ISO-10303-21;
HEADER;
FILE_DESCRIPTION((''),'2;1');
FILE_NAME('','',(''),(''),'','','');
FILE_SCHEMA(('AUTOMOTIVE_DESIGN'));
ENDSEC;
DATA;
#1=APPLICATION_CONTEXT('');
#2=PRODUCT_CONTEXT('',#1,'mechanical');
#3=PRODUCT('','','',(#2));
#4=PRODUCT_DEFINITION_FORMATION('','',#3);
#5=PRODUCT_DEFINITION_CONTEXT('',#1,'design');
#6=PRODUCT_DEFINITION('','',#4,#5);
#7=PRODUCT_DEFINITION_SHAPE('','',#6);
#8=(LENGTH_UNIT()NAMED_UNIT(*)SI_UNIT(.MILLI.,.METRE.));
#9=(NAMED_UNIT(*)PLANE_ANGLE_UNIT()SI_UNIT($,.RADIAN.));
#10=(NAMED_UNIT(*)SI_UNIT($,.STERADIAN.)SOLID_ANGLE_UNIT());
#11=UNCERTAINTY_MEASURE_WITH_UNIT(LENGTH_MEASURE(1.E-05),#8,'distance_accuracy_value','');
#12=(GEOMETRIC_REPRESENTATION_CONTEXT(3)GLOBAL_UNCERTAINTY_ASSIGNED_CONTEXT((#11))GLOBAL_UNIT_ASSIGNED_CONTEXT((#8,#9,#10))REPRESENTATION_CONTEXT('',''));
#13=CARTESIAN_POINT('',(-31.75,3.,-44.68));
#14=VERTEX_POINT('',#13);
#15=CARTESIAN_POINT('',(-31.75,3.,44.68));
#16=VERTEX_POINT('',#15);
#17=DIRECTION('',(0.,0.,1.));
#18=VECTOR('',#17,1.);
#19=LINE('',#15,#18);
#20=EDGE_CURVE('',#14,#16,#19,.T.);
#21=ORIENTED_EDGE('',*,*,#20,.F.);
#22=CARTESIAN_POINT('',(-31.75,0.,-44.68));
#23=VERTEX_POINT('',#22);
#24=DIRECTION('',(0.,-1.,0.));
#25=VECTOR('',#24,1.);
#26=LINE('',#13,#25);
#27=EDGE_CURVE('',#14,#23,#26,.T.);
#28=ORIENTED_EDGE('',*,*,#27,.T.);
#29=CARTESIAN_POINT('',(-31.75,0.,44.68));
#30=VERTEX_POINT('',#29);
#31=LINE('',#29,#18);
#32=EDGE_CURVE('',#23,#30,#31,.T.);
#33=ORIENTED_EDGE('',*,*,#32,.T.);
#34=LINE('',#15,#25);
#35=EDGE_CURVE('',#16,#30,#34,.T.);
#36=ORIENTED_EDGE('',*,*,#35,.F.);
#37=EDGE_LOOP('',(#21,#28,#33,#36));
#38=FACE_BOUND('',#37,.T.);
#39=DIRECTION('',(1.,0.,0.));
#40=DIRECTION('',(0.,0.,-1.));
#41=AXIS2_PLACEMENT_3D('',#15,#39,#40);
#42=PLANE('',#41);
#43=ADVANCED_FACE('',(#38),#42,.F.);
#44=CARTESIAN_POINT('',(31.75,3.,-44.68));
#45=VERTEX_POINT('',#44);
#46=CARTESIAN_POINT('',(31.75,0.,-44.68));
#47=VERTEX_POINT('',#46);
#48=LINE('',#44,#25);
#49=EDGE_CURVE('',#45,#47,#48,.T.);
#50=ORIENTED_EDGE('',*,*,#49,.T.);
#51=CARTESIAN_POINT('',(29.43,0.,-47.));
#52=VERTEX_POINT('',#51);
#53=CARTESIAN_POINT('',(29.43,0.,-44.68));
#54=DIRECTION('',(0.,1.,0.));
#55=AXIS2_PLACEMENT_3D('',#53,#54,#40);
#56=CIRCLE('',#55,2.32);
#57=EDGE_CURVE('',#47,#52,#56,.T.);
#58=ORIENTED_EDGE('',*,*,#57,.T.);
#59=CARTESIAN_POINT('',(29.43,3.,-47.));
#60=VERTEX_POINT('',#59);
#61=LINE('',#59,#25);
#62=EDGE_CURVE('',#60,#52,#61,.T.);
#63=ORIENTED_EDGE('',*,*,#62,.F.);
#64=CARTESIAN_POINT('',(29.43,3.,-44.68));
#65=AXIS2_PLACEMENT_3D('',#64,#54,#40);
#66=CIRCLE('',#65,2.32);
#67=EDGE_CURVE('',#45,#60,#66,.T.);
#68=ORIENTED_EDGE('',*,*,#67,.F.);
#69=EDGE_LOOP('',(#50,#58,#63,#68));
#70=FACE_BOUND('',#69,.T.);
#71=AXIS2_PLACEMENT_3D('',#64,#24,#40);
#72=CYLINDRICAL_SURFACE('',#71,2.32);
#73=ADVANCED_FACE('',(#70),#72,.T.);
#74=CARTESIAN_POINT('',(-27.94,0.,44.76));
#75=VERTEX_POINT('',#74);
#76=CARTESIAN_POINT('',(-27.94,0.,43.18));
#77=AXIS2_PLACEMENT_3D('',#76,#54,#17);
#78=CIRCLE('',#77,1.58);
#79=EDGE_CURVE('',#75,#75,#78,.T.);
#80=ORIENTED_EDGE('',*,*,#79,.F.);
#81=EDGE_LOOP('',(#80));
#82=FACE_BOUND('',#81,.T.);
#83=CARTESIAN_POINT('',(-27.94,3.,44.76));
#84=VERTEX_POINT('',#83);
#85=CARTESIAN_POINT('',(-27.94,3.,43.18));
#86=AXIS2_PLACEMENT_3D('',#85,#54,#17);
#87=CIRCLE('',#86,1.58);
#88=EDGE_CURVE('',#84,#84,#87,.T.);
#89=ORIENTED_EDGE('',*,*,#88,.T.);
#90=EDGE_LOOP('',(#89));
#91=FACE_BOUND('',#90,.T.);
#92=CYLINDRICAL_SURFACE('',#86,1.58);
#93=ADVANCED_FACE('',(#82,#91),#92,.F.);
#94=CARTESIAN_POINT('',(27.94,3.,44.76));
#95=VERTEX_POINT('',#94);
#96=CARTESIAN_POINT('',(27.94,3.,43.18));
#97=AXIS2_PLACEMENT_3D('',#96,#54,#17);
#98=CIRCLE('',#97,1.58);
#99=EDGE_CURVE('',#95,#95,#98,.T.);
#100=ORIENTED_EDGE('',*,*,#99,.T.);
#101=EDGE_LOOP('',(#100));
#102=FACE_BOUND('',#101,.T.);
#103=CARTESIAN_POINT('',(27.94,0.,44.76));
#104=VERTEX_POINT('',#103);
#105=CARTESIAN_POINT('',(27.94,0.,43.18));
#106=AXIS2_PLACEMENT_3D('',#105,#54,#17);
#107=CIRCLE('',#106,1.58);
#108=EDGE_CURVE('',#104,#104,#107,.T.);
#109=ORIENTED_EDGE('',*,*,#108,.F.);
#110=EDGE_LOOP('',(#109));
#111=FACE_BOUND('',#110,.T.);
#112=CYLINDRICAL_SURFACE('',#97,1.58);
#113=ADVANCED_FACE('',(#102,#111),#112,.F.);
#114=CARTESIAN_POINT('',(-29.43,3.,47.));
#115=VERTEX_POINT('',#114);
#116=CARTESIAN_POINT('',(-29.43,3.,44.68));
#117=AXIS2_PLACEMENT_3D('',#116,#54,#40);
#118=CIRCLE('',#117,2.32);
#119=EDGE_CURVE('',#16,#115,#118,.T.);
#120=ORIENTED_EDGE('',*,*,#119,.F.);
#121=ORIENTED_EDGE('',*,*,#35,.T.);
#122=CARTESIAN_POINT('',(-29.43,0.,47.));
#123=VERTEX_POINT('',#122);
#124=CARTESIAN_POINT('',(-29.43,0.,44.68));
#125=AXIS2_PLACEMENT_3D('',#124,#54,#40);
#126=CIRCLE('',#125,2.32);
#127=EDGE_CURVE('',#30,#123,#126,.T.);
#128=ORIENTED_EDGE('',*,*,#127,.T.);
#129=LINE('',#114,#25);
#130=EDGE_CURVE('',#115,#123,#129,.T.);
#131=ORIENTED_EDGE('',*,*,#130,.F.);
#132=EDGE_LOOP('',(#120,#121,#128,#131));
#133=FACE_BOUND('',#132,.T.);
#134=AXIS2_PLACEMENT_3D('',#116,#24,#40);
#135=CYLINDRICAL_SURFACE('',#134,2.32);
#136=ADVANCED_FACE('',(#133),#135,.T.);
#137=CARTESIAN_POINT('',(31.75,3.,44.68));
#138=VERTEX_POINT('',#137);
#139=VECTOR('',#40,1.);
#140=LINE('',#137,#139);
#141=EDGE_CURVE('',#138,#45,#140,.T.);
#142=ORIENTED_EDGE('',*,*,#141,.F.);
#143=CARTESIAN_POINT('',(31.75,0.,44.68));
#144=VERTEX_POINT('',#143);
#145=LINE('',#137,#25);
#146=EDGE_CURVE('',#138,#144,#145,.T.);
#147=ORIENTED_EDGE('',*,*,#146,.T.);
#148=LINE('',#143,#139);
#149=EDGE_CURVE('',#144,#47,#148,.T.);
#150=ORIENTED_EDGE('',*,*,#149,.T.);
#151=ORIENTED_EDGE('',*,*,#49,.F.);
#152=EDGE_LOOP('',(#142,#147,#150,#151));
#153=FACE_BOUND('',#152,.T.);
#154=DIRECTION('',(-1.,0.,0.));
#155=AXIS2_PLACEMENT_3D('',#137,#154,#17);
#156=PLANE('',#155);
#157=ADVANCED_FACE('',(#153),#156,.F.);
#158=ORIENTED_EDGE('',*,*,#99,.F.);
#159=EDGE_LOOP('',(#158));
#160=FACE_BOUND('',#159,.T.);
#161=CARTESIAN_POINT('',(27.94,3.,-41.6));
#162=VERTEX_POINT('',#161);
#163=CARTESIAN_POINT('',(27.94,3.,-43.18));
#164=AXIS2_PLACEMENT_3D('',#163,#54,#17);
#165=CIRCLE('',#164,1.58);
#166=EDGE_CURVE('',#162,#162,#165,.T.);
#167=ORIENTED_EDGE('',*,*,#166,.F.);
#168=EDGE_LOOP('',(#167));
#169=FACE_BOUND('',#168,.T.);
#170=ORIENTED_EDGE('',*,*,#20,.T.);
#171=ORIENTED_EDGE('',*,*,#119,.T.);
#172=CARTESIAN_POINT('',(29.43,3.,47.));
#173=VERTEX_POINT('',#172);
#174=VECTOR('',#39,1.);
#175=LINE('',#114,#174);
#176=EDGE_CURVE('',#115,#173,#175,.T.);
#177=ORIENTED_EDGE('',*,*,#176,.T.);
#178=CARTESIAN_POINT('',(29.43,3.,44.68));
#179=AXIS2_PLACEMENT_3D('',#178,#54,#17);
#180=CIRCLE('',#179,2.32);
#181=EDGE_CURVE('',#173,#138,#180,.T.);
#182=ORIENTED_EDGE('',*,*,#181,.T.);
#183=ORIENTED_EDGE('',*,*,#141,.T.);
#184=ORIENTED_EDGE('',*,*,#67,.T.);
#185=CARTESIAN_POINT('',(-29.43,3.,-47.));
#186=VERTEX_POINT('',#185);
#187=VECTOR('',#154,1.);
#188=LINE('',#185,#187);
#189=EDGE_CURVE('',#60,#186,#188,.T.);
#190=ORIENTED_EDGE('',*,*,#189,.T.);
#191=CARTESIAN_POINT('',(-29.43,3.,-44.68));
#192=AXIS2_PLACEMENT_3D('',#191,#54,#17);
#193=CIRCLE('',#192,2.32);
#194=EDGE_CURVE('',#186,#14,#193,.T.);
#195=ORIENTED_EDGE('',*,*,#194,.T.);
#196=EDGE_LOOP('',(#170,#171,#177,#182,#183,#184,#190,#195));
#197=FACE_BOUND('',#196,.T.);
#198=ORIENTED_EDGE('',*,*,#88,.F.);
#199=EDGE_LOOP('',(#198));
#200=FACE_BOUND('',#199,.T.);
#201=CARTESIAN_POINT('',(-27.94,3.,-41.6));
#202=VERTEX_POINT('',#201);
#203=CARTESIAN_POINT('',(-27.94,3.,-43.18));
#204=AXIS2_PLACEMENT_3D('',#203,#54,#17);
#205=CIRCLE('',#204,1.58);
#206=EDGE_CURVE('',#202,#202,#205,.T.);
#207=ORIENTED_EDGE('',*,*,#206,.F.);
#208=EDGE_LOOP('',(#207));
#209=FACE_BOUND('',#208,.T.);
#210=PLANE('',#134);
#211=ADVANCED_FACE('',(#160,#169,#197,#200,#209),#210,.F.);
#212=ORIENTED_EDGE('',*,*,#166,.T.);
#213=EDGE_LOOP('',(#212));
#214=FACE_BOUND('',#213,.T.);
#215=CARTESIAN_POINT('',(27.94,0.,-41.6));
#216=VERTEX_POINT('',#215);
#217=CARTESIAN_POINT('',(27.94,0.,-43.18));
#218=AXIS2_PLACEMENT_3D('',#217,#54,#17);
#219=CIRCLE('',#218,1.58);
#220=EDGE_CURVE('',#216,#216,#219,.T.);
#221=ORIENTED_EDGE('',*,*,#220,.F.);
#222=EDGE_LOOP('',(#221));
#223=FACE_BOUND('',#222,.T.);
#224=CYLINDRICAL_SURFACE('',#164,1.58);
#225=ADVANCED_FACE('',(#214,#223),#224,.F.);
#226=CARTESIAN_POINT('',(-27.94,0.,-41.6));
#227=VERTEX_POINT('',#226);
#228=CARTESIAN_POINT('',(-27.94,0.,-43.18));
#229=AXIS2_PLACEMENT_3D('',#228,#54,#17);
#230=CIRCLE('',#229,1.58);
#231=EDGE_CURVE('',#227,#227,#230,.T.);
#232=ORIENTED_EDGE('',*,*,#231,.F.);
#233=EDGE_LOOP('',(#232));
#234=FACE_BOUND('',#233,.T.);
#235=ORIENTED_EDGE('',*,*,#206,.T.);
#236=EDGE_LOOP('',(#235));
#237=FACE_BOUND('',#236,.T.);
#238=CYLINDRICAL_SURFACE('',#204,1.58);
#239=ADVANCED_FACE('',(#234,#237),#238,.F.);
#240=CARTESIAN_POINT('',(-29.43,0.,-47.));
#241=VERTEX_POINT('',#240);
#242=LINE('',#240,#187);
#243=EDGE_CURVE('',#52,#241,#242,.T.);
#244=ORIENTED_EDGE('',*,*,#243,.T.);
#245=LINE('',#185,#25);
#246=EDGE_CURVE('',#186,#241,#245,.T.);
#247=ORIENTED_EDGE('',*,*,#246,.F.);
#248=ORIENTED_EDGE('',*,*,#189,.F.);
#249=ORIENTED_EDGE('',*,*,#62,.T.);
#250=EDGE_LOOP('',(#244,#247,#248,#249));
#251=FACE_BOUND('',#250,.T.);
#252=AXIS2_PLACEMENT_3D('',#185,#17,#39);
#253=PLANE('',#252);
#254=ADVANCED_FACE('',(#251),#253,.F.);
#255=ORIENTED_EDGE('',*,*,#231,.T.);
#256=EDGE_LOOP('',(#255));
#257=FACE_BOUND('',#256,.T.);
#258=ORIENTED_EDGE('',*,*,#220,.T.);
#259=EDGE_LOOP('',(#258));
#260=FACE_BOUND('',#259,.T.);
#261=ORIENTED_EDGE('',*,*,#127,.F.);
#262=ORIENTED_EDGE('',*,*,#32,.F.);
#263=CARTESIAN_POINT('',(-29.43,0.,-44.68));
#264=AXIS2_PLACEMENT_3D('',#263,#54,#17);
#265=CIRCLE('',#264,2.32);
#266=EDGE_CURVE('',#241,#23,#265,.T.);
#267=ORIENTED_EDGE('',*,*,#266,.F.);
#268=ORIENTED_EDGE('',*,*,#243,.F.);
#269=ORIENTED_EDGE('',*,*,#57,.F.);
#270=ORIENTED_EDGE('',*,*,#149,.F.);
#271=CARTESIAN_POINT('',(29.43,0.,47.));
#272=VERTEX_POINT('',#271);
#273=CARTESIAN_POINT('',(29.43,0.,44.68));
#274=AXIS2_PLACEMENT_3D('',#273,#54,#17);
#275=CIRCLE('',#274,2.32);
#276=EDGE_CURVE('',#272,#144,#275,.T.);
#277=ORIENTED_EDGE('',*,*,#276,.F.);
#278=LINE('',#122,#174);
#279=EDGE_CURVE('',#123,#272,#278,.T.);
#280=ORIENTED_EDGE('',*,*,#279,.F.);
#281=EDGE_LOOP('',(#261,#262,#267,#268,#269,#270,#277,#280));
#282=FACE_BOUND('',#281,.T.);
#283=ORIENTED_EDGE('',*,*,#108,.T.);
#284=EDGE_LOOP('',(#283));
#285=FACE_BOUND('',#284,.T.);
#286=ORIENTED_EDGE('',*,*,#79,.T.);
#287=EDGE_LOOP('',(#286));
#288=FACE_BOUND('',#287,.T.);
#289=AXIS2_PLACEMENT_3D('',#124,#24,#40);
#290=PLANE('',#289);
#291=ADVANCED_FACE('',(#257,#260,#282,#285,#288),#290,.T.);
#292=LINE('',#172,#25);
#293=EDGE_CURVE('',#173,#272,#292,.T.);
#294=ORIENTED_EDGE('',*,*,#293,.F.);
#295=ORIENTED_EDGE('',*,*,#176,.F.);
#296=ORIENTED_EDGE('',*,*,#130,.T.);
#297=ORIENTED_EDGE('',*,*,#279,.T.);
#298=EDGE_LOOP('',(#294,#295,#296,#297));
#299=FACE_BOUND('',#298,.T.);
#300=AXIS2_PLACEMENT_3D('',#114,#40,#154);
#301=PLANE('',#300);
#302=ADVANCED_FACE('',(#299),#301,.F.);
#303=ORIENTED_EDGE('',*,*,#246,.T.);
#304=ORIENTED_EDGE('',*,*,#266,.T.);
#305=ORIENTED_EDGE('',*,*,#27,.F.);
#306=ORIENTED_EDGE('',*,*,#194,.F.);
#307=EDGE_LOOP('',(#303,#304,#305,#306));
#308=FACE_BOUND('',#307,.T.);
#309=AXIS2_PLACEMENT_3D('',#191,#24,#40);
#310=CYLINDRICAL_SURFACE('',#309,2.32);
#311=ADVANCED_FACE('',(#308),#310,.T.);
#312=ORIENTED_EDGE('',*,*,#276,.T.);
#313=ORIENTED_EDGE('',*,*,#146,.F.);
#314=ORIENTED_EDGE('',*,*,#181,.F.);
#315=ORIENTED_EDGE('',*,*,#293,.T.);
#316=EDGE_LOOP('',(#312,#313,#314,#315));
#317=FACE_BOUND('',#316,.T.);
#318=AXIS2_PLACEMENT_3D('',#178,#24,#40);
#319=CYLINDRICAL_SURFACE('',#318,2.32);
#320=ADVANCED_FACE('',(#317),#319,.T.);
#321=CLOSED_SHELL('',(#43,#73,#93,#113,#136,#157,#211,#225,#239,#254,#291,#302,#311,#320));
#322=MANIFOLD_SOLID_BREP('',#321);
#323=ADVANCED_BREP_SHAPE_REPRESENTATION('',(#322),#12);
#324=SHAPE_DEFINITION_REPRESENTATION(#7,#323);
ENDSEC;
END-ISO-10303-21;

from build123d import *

# Parameters (mm, degrees)
BOSS_EXTRUDE1_DEPTH   = 3
F_1_0MM_DOWEL_HOLE1_D = 3.16


with BuildPart() as part:
    # Sketch1 → Boss-Extrude1 (new body)
    with BuildSketch(Plane(origin=(0, 0, 0), x_dir=(1, 0, 0), z_dir=(0, 1, 0))):
        with BuildLine():
            Line((-29.43, -47), (29.43, -47))
            ThreePointArc((29.43, -47), (31.070487732, -46.320487732), (31.75, -44.68))
            Line((31.75, -44.68), (31.75, 44.68))
            ThreePointArc((31.75, 44.68), (31.070487732, 46.320487732), (29.43, 47))
            Line((29.43, 47), (-29.43, 47))
            ThreePointArc((-29.43, 47), (-31.070487732, 46.320487732), (-31.75, 44.68))
            Line((-31.75, 44.68), (-31.75, -44.68))
            ThreePointArc((-31.75, -44.68), (-31.070487732, -46.320487732), (-29.43, -47))
        make_face()
    extrude(amount=BOSS_EXTRUDE1_DEPTH)

    # Ø1.0mm Dowel Hole1 (through all)
    with Locations(Plane(origin=(0, 3, 0), x_dir=(1, 0, 0), z_dir=(0, 1, 0))):
        with Locations((27.94, 43.18), (-27.94, 43.18), (-27.94, -43.18), (27.94, -43.18)):
            Hole(F_1_0MM_DOWEL_HOLE1_D / 2)


solid = part.part
